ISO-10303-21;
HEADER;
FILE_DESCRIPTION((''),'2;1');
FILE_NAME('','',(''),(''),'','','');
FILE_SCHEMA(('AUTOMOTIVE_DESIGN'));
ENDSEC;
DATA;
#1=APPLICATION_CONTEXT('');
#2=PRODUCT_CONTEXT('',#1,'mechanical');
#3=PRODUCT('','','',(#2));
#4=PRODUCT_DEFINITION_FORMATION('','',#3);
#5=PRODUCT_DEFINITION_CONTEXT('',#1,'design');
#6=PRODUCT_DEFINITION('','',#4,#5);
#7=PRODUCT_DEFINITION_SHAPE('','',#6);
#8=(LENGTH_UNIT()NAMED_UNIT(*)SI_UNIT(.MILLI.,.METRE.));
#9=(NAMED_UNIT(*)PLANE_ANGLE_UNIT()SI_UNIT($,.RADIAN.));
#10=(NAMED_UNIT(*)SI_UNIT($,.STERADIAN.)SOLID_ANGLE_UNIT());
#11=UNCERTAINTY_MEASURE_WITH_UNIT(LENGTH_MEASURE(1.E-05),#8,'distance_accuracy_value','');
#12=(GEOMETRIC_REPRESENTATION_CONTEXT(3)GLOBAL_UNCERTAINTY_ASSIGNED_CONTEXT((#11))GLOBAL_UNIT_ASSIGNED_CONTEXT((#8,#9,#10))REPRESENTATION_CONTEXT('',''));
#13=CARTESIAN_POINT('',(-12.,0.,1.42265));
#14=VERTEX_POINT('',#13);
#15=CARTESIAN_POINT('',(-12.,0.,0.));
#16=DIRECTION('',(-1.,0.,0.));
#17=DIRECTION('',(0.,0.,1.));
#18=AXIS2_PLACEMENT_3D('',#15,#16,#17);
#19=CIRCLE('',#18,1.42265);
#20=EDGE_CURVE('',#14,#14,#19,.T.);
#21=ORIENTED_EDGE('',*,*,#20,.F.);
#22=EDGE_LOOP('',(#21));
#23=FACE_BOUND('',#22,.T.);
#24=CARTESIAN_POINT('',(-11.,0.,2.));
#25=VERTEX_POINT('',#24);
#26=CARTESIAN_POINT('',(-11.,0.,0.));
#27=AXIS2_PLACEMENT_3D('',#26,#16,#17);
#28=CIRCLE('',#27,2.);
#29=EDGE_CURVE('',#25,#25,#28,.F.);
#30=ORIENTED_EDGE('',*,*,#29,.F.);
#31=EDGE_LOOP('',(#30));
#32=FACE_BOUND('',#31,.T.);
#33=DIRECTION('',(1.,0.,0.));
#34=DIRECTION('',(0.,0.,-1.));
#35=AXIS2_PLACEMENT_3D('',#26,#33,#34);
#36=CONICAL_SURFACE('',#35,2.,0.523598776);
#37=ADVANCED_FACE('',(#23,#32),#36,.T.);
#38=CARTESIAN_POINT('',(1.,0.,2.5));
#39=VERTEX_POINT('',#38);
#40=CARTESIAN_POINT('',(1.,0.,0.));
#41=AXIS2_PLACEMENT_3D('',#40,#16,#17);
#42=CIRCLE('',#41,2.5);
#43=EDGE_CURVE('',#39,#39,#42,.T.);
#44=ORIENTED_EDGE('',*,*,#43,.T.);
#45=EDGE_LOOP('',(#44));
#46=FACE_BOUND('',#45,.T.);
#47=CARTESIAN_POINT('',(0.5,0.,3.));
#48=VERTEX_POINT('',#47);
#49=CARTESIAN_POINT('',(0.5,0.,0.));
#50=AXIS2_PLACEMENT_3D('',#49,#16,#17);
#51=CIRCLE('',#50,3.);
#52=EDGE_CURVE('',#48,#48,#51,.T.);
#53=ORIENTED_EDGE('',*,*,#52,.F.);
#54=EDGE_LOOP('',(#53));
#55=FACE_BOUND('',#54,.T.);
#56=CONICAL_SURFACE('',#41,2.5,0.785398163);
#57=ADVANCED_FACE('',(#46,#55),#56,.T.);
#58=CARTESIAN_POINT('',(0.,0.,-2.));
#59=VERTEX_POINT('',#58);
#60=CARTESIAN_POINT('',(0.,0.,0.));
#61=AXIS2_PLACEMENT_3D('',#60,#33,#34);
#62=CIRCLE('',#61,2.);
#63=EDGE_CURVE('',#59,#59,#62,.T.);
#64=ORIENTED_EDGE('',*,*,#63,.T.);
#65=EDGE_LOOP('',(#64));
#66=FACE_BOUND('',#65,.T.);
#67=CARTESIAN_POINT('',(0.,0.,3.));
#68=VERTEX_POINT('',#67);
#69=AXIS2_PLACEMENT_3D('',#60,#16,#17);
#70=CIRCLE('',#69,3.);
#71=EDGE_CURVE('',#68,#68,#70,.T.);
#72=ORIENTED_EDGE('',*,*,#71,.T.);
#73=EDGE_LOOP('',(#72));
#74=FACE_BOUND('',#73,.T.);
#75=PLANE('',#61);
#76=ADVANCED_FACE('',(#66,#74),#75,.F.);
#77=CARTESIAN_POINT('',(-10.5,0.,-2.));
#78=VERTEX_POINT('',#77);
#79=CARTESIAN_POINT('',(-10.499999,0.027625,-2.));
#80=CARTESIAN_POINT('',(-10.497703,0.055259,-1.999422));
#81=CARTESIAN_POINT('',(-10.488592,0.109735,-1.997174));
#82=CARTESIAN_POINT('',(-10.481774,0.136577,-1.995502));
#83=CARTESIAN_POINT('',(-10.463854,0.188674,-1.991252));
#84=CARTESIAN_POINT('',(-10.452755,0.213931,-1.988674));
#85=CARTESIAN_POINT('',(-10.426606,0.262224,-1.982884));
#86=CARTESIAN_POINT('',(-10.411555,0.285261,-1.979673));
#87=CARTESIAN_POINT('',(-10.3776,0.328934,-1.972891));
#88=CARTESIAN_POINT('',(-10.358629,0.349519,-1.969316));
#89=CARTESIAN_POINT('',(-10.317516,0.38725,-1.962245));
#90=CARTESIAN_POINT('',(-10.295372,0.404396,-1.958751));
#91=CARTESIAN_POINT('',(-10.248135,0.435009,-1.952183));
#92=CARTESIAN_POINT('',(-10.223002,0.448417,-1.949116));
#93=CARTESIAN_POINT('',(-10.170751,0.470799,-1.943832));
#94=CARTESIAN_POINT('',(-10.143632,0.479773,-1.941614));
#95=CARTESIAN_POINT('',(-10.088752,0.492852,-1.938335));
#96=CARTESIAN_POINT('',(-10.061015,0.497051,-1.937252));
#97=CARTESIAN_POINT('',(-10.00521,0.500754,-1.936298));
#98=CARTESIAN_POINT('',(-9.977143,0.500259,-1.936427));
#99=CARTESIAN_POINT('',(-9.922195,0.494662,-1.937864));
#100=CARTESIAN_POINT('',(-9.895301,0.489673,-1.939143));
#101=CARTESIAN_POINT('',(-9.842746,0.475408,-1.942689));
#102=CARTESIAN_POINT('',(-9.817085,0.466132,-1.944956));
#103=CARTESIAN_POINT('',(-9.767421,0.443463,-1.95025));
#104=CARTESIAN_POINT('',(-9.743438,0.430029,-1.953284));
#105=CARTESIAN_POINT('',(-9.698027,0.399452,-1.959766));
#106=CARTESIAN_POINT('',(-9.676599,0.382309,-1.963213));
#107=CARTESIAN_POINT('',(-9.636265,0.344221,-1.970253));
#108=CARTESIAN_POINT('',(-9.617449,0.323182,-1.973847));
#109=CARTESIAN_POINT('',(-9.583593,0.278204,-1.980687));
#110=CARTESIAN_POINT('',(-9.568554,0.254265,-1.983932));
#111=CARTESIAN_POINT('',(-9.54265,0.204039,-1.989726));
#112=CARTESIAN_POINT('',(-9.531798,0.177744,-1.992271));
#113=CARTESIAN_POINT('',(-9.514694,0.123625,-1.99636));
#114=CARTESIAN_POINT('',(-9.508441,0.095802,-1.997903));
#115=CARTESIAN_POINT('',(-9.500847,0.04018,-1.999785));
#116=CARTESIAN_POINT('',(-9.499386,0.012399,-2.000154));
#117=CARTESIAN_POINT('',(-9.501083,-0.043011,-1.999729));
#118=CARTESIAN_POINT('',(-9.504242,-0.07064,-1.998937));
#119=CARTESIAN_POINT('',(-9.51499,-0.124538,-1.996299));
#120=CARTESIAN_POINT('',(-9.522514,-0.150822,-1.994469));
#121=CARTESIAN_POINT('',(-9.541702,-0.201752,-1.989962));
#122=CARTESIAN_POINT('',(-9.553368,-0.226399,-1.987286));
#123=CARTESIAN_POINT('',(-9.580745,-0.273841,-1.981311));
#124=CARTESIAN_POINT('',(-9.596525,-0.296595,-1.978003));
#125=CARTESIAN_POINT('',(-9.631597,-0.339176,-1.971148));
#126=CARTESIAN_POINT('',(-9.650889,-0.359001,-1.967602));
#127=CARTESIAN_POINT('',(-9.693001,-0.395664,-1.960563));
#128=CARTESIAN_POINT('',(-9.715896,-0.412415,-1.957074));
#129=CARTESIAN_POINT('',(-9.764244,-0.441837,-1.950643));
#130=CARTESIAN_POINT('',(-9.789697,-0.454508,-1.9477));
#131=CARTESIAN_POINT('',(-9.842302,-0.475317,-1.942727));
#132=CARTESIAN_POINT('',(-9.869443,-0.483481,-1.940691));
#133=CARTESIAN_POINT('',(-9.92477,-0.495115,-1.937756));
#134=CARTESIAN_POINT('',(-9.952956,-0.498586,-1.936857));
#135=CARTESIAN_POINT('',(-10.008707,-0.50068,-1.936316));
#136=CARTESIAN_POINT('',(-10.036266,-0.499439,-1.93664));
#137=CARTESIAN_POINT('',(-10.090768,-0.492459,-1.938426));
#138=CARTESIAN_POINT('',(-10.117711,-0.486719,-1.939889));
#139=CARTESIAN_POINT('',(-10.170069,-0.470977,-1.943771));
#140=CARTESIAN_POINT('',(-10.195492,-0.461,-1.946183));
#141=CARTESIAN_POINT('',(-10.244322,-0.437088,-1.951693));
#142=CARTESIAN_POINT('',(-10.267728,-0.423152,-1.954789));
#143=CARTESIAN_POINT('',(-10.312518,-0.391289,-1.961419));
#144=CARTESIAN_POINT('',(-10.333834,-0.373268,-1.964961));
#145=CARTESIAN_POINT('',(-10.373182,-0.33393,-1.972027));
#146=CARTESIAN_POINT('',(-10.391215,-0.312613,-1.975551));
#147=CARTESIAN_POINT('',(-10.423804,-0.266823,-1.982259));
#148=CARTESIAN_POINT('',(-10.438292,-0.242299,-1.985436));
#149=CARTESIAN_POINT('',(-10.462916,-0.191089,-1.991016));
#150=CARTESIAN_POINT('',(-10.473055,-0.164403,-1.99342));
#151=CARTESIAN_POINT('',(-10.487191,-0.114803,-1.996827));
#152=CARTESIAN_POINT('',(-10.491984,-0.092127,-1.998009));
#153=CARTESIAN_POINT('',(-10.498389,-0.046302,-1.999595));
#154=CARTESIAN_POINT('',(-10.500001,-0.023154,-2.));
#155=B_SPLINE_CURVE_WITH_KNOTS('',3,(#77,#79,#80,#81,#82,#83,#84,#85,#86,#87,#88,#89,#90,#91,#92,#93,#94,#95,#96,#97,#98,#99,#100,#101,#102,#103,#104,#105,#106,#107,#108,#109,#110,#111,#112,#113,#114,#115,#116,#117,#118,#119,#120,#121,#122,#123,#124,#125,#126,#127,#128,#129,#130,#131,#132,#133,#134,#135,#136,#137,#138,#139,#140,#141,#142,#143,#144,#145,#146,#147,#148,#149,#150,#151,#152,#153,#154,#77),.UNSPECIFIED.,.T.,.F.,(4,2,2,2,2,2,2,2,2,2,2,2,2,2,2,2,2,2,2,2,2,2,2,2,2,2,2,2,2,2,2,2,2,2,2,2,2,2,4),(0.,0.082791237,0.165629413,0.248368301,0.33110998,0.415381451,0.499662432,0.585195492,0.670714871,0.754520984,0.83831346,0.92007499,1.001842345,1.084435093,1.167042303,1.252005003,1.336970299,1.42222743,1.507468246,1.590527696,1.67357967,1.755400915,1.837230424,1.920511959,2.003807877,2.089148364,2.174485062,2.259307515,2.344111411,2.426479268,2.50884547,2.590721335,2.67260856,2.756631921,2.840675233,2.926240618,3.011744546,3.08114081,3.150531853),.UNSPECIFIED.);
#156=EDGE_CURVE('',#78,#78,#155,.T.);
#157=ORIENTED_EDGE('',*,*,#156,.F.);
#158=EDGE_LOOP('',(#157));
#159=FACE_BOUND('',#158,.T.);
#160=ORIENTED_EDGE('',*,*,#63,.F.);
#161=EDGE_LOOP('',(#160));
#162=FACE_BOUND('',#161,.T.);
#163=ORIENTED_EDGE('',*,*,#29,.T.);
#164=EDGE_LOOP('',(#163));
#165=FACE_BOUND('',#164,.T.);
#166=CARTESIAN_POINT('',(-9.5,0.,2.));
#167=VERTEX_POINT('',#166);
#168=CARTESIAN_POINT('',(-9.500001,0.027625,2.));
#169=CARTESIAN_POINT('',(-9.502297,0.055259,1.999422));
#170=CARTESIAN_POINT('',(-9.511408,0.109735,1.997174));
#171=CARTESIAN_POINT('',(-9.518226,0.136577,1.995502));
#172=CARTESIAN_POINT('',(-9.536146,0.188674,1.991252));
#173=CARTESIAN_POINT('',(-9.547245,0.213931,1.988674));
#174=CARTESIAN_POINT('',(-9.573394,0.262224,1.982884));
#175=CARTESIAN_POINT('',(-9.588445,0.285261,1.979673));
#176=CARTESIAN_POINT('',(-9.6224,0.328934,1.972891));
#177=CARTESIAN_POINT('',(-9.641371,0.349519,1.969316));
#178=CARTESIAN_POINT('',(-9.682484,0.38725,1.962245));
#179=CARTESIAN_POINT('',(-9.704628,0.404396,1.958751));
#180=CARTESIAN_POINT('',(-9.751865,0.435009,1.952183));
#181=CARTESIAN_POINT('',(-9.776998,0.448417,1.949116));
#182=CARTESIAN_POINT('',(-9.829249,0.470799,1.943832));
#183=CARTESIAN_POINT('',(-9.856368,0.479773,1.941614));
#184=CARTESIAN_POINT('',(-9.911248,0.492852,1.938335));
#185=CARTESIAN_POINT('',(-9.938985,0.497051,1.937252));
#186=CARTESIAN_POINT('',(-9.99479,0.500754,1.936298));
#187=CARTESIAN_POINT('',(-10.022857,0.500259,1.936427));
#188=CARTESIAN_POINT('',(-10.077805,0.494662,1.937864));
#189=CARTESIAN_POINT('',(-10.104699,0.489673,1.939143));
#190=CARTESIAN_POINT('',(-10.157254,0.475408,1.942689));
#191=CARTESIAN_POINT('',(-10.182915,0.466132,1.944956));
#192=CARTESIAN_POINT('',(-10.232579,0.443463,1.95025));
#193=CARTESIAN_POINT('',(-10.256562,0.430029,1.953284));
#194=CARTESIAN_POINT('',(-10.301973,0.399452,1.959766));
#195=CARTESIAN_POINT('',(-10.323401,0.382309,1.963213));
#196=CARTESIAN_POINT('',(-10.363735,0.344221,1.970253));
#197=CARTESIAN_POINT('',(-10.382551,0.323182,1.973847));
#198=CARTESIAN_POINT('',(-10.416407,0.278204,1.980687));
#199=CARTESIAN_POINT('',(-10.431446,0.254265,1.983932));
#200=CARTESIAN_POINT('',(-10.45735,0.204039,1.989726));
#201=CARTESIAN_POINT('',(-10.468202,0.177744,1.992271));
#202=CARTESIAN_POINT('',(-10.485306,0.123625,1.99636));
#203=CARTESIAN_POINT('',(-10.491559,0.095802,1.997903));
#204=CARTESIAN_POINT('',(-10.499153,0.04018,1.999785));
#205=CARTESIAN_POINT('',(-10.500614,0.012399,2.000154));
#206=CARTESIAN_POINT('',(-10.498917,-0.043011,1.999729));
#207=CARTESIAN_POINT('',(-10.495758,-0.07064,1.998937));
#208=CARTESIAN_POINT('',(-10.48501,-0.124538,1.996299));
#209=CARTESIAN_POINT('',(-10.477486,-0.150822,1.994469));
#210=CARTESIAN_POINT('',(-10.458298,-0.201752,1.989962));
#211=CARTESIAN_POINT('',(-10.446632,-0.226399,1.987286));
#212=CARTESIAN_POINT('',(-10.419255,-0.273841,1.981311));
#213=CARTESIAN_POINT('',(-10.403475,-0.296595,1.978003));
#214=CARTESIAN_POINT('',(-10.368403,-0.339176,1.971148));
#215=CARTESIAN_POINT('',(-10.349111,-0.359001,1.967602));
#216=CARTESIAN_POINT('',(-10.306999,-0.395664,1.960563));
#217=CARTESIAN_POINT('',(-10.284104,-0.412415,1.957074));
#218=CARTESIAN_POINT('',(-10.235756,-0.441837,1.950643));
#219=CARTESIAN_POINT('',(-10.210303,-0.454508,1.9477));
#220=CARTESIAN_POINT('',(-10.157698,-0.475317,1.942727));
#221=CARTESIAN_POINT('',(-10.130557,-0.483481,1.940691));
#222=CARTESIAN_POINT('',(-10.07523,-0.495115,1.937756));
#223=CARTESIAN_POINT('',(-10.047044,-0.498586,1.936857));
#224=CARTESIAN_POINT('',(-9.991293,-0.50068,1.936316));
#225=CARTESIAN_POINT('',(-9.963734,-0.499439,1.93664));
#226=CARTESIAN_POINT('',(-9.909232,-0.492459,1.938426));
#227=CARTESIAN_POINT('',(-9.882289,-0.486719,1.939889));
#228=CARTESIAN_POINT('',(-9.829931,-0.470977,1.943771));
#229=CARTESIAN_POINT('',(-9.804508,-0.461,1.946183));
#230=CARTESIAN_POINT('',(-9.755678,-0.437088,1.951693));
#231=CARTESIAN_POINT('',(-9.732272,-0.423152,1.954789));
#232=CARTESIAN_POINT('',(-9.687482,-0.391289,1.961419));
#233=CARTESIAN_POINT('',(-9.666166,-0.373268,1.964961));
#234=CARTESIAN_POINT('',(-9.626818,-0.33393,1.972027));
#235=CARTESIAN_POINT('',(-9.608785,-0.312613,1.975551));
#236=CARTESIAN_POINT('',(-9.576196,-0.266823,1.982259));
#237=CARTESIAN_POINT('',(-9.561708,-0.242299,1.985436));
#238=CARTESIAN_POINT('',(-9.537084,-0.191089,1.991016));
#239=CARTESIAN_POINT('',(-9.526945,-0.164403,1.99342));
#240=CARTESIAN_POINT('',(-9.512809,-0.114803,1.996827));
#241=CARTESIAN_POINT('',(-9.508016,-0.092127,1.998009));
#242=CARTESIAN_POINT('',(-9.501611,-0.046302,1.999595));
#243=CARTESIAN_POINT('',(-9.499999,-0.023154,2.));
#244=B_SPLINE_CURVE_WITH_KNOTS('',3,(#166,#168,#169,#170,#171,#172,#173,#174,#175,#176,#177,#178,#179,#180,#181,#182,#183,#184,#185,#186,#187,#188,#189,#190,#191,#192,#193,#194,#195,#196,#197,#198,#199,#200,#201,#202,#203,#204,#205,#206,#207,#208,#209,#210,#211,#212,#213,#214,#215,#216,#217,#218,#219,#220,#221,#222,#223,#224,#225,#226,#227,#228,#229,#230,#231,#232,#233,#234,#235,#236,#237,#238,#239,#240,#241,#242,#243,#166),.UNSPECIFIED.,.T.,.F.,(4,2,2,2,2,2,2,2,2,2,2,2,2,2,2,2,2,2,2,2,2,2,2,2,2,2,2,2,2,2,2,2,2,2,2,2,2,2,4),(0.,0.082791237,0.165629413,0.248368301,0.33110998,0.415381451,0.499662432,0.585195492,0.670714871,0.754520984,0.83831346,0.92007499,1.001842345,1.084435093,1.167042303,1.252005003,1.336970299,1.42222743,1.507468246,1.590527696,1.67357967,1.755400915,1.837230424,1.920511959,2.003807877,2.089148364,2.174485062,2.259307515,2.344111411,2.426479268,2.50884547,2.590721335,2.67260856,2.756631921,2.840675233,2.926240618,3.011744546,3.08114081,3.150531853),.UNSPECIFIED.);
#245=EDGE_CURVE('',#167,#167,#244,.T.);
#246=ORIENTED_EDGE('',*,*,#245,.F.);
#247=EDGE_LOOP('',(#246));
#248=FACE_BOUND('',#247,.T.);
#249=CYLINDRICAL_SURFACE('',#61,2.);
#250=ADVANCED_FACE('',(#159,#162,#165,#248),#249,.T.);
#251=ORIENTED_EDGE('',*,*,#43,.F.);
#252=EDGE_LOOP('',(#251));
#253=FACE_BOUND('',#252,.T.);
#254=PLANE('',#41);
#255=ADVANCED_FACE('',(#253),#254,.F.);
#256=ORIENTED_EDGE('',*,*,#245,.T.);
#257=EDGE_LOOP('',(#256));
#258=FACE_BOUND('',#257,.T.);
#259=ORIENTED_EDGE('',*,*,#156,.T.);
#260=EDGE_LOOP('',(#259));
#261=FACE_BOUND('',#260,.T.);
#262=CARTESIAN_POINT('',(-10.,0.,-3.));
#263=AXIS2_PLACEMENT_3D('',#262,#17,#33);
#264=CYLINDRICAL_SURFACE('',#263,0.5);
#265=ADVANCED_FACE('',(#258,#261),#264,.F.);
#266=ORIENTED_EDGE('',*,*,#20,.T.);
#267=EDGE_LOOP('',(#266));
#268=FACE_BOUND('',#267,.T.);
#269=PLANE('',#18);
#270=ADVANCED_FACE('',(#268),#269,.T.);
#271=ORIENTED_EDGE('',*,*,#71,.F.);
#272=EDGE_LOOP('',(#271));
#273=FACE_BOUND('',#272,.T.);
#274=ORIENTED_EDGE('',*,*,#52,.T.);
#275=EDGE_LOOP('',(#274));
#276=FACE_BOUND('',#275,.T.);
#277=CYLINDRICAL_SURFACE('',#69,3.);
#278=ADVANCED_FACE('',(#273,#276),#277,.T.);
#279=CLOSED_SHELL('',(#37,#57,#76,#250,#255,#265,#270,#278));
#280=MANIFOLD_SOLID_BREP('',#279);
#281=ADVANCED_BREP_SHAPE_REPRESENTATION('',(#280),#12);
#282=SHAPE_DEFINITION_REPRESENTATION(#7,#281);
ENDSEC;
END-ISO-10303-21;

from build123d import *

# Parameters (mm, degrees)
SKETCH1_W              = 12
SKETCH1_H              = 2
HEAD_CHAMFER_SIZE      = 1
HEAD_CHAMFER_SIZE2     = 0.577350269
SKETCH21_R             = 0.5
R_CLIP_HOLE_DEPTH      = 4
R_CLIP_HOLE_DEPTH_BACK = 4


with BuildPart() as part:
    # Sketch1 → Body Revolve (revolve)
    with BuildSketch(Plane.XY):
        with Locations((-6, 1)):
            Rectangle(SKETCH1_W, SKETCH1_H)
    revolve(axis=Axis((0, 0, 0), (-1, 0, 0)))

    # Sketch14 → Head Revolve (revolve)
    with BuildSketch(Plane.XY):
        Polygon((0, 0), (1, 0), (1, 2.5), (0.5, 3), (0, 3), align=None)
    revolve(axis=Axis((0, 0, 0), (1, 0, 0)))

    # Head Chamfer
    head_chamfer_edges = [part.edges().sort_by_distance(p)[0] for p in [
        (-12, -2, 0),
    ]]
    head_chamfer_side = [part.faces().sort_by_distance(p)[0] for p in [
        (-6, -2, 0),
    ]]
    chamfer(head_chamfer_edges, length=HEAD_CHAMFER_SIZE, length2=HEAD_CHAMFER_SIZE2, reference=head_chamfer_side[0])

    # Sketch21 → R Clip Hole (cut, two sides)
    with BuildSketch(Plane.XY) as r_clip_hole_sk:
        with Locations((-10, 0)):
            Circle(SKETCH21_R)
    extrude(amount=R_CLIP_HOLE_DEPTH, mode=Mode.SUBTRACT)
    extrude(r_clip_hole_sk.sketch, amount=-R_CLIP_HOLE_DEPTH_BACK, mode=Mode.SUBTRACT)


solid = part.part
